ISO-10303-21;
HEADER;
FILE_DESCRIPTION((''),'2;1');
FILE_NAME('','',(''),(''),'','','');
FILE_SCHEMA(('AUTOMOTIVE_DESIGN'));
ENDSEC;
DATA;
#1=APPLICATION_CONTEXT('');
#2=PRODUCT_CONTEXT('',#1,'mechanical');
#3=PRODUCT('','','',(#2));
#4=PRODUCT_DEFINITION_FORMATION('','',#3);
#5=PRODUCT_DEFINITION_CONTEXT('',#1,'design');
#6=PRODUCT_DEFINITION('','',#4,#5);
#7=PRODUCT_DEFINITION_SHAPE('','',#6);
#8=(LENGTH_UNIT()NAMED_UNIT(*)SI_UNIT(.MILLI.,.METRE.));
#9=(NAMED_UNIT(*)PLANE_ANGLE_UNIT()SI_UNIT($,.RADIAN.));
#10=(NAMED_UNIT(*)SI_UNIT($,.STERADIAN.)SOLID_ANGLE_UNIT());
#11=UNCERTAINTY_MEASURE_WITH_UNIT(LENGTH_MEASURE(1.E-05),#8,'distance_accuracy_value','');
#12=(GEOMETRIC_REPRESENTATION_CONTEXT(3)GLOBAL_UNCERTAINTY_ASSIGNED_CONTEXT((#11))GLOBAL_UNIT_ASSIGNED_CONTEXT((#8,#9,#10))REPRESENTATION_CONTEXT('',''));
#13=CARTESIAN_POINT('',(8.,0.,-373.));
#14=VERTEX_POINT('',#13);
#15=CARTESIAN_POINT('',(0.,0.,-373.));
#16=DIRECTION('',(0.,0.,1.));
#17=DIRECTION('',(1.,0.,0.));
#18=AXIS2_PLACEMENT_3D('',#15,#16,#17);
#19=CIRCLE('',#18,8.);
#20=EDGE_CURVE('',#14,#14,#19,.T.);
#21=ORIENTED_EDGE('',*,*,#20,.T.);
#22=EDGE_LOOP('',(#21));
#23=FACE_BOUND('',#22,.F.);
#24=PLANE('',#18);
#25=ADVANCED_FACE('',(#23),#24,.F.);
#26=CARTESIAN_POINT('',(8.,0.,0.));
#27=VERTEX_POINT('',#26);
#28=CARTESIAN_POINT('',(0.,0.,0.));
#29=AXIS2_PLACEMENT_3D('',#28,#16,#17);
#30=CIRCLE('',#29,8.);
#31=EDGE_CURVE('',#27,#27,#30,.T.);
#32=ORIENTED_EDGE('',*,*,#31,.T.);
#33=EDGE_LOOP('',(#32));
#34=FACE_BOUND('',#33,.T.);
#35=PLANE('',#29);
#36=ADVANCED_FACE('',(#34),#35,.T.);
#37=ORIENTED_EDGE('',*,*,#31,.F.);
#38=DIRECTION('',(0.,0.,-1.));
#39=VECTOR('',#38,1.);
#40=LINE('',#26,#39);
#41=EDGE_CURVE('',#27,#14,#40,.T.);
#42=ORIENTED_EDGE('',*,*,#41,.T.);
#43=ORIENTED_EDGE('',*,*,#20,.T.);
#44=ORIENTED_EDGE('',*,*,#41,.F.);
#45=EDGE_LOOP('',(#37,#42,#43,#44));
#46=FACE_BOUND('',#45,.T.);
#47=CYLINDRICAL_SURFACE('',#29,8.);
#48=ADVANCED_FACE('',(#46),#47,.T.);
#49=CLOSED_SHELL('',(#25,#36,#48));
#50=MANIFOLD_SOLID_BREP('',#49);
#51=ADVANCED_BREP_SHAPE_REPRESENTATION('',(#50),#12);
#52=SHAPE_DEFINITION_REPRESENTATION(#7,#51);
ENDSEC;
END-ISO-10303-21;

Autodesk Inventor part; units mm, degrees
ref_plane "YZ Plane" through (0, 0, 0) normal (1, 0, 0) x (0, 1, 0)
ref_plane "XZ Plane" through (0, 0, 0) normal (0, 1, 0) x (-1, 0, 0)
ref_plane "XY Plane" through (0, 0, 0) normal (0, 0, 1) x (1, 0, 0)
sketch "Sketch1" plane through (0, 0, 0) normal (0, 0, 1) x (1, 0, 0)
  circle A0 centre (0, 0) radius 8
  dimension "d0" = 16
extrude "Extrusion1" add sketch "Sketch1" against normal blind 373
properties part number "16mm leg"
